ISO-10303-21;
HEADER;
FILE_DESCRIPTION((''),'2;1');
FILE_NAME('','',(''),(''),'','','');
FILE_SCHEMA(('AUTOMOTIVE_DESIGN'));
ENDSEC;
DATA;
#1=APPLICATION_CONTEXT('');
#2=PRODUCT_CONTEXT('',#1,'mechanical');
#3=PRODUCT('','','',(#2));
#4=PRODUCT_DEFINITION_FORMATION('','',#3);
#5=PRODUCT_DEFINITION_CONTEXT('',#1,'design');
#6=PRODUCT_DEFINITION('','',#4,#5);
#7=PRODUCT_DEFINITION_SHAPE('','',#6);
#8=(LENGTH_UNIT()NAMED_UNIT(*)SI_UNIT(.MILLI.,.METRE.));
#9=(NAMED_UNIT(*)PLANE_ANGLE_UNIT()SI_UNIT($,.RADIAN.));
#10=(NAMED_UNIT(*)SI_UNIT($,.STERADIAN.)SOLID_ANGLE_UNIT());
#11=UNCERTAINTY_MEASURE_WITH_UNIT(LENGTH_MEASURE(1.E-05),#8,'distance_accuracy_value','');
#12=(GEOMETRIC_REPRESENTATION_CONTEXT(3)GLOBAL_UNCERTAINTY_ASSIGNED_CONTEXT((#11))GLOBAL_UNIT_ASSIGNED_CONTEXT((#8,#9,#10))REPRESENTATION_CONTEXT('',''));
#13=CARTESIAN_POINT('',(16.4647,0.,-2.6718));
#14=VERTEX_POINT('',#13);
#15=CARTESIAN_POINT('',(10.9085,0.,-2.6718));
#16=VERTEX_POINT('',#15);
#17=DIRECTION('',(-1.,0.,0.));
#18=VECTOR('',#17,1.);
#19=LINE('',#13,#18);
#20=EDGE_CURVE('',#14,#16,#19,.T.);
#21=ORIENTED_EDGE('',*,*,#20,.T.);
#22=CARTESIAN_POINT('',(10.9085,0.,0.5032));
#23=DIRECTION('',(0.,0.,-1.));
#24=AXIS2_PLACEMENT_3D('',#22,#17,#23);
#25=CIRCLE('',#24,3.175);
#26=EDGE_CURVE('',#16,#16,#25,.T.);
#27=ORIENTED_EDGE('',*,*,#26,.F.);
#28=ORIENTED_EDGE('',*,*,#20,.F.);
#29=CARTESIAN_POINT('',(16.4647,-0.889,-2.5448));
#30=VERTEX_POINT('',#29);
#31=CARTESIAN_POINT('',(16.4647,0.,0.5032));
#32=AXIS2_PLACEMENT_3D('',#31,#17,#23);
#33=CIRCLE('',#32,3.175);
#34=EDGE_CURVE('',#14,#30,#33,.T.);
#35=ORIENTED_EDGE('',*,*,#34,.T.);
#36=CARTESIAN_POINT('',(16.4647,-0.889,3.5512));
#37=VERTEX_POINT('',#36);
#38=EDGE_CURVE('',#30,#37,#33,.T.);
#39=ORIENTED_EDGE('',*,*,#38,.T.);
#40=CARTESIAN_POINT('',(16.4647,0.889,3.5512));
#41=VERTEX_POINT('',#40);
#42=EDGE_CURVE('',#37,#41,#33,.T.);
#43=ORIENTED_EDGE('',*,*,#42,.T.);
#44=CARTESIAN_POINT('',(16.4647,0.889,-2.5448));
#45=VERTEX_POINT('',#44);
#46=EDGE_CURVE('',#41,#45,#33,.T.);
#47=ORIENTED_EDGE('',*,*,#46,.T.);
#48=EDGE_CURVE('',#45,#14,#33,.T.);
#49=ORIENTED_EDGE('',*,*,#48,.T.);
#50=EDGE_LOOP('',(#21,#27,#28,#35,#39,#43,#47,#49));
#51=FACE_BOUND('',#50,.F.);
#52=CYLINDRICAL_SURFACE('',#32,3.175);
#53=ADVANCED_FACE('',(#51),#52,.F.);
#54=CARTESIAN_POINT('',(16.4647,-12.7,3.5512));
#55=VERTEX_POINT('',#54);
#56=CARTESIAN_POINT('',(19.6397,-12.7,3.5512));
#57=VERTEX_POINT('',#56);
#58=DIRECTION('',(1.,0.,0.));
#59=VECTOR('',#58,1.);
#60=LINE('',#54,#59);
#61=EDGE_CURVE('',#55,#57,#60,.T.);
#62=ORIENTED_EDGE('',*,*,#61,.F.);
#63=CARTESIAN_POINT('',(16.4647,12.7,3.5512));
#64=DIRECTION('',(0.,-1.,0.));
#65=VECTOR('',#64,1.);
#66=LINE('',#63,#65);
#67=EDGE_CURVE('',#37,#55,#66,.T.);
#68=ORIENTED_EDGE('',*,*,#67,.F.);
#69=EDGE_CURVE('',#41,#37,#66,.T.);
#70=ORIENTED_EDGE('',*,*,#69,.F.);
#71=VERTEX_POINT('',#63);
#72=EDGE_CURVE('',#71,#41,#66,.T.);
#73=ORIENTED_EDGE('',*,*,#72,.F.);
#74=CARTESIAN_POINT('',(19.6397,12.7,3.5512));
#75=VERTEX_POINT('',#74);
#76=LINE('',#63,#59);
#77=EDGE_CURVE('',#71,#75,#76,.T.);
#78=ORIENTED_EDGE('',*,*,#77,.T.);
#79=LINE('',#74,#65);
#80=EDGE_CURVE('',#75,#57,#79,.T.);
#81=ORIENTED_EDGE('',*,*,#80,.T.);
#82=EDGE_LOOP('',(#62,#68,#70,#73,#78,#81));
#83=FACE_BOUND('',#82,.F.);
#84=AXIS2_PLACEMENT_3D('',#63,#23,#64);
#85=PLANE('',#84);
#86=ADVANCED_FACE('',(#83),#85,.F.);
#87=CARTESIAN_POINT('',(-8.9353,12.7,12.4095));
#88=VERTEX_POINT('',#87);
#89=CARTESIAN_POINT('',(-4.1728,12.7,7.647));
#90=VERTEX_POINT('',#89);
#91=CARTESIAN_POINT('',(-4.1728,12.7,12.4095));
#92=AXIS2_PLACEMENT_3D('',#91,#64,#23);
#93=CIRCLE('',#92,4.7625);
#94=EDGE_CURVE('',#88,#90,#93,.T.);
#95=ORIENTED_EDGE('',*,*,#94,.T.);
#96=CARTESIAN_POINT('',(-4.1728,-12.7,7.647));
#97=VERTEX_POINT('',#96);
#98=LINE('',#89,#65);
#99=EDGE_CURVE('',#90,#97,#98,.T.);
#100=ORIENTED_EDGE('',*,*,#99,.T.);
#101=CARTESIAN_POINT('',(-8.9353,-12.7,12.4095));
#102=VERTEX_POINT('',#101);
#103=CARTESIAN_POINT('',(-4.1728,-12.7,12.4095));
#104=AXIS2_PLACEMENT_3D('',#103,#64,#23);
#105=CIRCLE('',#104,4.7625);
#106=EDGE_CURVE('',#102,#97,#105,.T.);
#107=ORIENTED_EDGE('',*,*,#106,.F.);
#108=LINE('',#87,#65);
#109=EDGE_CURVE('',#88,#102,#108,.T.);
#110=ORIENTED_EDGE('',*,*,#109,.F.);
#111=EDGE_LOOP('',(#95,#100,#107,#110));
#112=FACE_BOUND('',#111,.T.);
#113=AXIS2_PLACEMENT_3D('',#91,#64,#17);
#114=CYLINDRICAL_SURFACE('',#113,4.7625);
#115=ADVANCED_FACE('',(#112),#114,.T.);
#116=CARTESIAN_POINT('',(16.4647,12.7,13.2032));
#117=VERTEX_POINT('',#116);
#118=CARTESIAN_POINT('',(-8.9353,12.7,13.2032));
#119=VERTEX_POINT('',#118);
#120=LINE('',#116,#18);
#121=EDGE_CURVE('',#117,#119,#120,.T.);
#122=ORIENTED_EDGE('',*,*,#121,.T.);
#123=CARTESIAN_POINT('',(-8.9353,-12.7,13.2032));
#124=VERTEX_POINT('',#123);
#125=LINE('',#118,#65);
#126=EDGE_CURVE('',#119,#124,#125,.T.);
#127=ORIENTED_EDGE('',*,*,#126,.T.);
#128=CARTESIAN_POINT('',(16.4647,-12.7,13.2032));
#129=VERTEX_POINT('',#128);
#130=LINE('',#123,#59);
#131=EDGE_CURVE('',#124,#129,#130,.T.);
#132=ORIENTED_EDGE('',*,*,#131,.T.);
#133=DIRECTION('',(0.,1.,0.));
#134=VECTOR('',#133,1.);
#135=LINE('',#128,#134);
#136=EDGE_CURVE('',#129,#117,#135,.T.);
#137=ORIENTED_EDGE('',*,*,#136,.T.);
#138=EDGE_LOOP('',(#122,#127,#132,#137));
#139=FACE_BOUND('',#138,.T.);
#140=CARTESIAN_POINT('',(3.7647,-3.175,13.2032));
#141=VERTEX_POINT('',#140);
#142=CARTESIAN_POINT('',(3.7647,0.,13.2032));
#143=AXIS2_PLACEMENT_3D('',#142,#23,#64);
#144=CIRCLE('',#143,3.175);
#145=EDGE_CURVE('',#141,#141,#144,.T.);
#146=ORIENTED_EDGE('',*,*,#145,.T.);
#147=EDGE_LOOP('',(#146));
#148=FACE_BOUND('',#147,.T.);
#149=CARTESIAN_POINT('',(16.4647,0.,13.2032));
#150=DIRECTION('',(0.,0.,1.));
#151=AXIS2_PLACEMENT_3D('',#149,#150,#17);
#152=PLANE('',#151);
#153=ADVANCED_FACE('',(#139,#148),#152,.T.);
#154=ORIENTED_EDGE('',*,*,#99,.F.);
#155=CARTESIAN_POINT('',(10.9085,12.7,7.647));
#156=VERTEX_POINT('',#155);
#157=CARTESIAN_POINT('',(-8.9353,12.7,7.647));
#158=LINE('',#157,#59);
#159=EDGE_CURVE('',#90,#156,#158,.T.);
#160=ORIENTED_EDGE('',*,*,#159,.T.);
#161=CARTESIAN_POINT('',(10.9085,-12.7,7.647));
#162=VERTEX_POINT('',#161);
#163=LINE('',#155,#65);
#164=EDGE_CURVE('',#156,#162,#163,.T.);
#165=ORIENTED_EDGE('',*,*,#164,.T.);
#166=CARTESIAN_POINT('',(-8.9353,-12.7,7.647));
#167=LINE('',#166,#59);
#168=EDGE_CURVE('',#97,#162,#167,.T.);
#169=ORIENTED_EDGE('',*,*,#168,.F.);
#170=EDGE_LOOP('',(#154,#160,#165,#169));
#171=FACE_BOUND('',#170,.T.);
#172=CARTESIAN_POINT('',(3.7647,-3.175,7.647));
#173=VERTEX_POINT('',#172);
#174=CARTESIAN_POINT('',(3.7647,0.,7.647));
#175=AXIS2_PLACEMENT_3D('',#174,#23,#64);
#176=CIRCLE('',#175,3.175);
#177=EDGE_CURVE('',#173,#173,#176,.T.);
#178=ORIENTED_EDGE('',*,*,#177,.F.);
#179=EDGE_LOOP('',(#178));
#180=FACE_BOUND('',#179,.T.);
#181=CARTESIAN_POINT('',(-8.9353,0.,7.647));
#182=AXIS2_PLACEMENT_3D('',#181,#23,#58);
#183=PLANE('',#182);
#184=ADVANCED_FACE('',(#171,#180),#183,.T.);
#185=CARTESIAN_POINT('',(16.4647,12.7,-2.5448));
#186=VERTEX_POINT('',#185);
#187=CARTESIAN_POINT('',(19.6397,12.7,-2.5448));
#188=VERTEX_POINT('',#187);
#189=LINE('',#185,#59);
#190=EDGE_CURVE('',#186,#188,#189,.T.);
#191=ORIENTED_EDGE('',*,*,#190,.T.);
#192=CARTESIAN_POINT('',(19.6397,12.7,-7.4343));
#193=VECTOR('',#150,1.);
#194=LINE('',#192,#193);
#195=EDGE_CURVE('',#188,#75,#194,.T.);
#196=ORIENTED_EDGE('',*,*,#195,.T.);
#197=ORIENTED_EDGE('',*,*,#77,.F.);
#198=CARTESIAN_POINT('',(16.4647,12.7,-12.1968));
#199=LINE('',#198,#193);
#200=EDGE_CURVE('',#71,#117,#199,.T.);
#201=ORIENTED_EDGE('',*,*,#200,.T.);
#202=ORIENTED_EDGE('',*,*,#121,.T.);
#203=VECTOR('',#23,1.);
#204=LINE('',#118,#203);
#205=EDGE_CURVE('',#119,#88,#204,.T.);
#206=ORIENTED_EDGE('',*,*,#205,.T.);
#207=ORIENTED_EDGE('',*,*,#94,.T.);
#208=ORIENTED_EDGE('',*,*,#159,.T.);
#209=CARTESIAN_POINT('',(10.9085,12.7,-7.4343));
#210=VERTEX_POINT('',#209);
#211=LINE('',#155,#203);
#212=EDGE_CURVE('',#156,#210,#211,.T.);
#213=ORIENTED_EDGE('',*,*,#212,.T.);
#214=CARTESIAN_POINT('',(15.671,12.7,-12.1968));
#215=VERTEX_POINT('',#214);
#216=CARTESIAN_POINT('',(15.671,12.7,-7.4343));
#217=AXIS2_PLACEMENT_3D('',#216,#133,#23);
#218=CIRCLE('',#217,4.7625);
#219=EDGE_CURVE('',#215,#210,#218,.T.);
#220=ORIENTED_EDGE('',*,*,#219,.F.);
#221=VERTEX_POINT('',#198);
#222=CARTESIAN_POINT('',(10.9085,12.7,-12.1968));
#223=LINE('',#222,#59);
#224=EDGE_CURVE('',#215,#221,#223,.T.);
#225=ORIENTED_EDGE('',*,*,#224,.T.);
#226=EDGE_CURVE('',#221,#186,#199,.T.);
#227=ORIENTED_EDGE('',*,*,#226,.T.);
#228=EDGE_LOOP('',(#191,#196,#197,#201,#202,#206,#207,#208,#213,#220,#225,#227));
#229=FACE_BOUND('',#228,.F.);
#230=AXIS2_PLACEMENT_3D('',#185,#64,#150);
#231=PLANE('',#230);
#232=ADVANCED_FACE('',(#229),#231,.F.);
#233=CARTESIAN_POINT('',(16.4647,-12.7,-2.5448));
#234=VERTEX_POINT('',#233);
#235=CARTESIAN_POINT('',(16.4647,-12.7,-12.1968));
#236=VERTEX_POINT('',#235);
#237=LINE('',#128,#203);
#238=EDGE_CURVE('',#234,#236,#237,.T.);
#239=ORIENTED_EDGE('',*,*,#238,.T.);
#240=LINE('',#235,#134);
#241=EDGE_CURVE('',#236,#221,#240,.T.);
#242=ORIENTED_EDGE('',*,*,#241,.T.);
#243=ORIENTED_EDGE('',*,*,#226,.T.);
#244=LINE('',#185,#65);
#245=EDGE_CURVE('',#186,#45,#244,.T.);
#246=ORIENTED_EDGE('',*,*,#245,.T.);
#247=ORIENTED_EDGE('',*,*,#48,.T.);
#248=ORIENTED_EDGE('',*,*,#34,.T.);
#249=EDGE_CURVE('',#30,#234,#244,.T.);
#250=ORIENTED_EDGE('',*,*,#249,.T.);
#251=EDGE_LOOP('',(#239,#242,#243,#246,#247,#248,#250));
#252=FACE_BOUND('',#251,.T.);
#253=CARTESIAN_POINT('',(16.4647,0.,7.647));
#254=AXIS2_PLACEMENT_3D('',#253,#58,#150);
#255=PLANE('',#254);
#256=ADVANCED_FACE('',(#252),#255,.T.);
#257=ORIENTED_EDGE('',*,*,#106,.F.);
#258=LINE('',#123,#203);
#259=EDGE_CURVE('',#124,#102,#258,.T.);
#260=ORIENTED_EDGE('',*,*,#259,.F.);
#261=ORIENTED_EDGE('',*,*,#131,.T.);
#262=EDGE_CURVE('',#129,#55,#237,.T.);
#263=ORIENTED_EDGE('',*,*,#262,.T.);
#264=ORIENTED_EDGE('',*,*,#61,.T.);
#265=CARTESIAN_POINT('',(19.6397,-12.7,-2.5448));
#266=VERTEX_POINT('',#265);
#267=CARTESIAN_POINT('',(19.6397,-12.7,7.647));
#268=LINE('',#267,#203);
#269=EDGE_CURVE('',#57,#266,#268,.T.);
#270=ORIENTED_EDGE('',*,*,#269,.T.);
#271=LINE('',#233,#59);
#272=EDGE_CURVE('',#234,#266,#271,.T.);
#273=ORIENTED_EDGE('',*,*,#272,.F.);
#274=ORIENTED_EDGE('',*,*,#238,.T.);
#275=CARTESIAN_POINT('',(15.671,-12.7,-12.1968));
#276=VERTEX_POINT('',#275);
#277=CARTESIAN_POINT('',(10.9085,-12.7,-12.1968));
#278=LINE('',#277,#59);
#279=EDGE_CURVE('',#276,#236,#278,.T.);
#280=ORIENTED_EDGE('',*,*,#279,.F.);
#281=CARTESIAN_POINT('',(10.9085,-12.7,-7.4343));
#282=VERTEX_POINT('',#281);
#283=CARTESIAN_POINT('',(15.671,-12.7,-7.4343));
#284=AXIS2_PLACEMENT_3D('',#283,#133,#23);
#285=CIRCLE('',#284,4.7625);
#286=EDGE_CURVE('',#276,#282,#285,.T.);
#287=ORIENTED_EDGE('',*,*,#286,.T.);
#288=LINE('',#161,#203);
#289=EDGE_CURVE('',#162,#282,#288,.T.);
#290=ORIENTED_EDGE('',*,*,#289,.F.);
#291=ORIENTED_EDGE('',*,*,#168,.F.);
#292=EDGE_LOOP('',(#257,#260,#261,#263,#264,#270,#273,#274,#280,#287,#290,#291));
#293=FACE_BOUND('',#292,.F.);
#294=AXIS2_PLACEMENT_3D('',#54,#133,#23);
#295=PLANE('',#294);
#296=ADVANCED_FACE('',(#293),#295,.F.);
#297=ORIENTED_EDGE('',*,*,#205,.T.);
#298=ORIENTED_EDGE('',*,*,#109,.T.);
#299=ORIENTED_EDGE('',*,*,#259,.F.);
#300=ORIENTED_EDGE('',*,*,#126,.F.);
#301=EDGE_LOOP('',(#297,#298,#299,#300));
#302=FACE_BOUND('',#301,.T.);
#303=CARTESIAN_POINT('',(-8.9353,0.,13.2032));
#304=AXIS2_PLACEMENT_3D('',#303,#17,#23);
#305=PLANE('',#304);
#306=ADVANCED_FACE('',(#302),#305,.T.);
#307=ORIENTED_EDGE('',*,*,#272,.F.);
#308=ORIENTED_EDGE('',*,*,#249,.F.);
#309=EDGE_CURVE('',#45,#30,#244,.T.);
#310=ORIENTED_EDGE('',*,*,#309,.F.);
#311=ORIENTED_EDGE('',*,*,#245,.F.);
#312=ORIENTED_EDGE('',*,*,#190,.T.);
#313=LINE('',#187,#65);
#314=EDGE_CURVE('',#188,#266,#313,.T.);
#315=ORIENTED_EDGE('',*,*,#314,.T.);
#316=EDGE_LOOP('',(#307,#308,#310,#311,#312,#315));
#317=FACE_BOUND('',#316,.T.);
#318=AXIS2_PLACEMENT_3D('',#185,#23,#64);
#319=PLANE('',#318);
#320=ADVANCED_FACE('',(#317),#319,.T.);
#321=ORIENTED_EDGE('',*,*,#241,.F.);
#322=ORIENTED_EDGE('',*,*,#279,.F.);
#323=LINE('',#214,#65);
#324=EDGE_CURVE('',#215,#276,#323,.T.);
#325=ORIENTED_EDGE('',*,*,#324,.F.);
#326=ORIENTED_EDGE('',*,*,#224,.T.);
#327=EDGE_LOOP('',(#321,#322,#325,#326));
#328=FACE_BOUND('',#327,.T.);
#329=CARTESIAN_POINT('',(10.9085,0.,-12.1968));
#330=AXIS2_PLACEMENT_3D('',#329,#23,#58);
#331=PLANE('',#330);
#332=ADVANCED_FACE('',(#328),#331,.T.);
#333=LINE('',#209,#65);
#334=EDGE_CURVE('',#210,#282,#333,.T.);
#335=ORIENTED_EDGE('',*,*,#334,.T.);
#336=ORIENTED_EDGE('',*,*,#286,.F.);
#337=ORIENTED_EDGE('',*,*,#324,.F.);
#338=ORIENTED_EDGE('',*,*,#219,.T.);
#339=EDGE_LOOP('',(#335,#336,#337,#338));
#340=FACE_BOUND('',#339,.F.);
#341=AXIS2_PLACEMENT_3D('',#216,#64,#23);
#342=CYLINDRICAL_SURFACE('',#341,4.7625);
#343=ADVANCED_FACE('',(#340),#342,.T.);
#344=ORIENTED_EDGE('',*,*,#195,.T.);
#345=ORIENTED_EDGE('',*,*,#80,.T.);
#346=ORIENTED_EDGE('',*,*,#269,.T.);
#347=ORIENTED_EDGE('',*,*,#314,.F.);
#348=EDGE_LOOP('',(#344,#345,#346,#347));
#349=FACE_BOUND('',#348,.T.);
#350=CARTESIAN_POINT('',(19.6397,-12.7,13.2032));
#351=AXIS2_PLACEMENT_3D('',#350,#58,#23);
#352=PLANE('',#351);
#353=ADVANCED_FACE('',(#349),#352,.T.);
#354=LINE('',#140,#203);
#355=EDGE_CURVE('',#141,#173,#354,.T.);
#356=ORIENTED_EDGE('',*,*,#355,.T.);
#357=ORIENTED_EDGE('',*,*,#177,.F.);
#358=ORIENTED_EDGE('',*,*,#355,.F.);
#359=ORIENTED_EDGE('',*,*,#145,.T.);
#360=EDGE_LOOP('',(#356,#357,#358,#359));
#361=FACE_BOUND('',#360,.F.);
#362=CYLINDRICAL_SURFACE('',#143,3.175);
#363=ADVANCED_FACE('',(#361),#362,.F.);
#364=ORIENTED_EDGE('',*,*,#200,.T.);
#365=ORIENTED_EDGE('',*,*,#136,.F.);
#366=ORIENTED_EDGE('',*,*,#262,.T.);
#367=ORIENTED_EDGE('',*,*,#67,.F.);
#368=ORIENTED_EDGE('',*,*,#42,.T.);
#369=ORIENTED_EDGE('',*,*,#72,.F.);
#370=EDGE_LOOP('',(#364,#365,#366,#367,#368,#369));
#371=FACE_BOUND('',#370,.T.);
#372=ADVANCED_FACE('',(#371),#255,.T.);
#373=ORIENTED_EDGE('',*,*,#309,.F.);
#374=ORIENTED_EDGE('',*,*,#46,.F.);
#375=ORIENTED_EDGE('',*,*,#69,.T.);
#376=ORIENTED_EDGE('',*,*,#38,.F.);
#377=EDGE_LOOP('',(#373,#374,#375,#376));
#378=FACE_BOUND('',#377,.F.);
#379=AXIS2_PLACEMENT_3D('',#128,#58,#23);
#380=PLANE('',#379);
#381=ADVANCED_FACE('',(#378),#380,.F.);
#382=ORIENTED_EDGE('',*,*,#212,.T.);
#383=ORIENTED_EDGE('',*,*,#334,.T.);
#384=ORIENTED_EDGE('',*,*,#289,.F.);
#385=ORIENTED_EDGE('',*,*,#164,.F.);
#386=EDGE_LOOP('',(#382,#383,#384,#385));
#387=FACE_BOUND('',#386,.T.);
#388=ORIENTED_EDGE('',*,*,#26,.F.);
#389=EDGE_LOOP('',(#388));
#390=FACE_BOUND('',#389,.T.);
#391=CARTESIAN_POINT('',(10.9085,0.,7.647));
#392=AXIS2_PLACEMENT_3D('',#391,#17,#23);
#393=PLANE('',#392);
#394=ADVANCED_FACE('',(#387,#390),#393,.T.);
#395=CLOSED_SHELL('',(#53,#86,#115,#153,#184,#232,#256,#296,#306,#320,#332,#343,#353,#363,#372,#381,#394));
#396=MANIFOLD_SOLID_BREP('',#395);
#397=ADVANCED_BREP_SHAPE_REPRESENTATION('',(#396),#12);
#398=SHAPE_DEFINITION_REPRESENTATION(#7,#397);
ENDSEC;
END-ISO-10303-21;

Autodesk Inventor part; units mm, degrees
ref_plane "YZ Plane" through (0, 0, 0) normal (1, 0, 0) x (0, 1, 0)
ref_plane "XY Plane" through (0, 0, 0) normal (0, 0, 1) x (1, 0, 0)
sketch "Sketch1" plane through (0, 0, 0) normal (0, 1, 0) x (-1, 0, 0)
  point P0 (0, 0)
sketch "Sketch2" plane through (0, 0, 0) normal (0, 1, 0) x (-1, 0, 0)
  line L0 (-16.4647, 13.2032) -> (-10.9085, 13.2032)
  line L1 (-10.9085, 7.647) -> (-10.9085, -12.1968)
  line L2 (-10.9085, -12.1968) -> (-16.4647, -12.1968)
  line L3 (-16.4647, -12.1968) -> (-16.4647, 13.2032)
  line L4 (-16.4647, 13.2032) -> (8.9353, 13.2032)
  line L5 (8.9353, 13.2032) -> (8.9353, 7.647)
  line L6 (8.9353, 7.647) -> (-10.9085, 7.647)
  line L7 (-16.4647, 7.647) -> (-16.4647, 13.2032)
  point P0 (0, 0)
  dimension "d0" = 5.5563
  dimension "d1" = 25.4
  dimension "d3" = 25.4
  dimension "d4" = 5.5563
extrude "Extrusion1" add sketch "Sketch2" along normal mid plane 25.4
sketch "Sketch3" plane through (16.4647, -12.7, 13.2032) normal (1, 0, 0) x (0, 0, -1)
  line L0 (25.4, 0) -> (0, 0) projected
  line L1 (25.4, 0) -> (25.4, 25.4) projected
  point P0 (13.2032, 12.7)
  point P1 (12.7, 12.7)
  point P2 (0, 0)
  dimension "d7" = 12.7
  dimension "d8" = 12.7
sketch "Sketch4" plane through (-8.9353, -12.7, 13.2032) normal (0, 0, 1) x (1, 0, 0)
  line L0 (25.4, 25.4) -> (25.4, 0) projected
  line L1 (25.4, 0) -> (0, 0) projected
  point P0 (8.9353, 12.7)
  point P1 (12.7, 12.7)
  dimension "d9" = 12.7
  dimension "d10" = 12.7
hole "Hole1" at (3.7647, 0, 13.2032) direction (0, 0, -1) diameter 6.35 end through all
hole "Hole2" at (16.4647, 0, 0.5032) direction (-1, 0, 0) diameter 6.35 end through all
fillet "Fillet1" radius 4.7625 2 edges at (10.9085, 0, -12.1968) (-8.9353, 0, 7.647)
sketch "Sketch5" plane through (16.4647, -12.7, 13.2032) normal (1, 0, 0) x (0, 0, -1)
  line L0 (20.6375, 25.4) -> (5.5562, 25.4) projected
  line L1 (9.652, 25.4) -> (9.652, 0)
  line L2 (5.5562, 0) -> (20.6375, 0) projected
  line L3 (15.748, 25.4) -> (15.748, 0)
  line L4 (0, 25.4) -> (0, 0) projected
  line L5 (9.652, 25.4) -> (15.748, 25.4)
  line L6 (15.748, 0) -> (9.652, 0)
  point P0 (13.2032, 12.7)
  dimension "d26" = 6.096
  dimension "d27" = 9.652
extrude "Extrusion2" add sketch "Sketch5" along normal blind 3.175
properties part number "rope connection to cart"
